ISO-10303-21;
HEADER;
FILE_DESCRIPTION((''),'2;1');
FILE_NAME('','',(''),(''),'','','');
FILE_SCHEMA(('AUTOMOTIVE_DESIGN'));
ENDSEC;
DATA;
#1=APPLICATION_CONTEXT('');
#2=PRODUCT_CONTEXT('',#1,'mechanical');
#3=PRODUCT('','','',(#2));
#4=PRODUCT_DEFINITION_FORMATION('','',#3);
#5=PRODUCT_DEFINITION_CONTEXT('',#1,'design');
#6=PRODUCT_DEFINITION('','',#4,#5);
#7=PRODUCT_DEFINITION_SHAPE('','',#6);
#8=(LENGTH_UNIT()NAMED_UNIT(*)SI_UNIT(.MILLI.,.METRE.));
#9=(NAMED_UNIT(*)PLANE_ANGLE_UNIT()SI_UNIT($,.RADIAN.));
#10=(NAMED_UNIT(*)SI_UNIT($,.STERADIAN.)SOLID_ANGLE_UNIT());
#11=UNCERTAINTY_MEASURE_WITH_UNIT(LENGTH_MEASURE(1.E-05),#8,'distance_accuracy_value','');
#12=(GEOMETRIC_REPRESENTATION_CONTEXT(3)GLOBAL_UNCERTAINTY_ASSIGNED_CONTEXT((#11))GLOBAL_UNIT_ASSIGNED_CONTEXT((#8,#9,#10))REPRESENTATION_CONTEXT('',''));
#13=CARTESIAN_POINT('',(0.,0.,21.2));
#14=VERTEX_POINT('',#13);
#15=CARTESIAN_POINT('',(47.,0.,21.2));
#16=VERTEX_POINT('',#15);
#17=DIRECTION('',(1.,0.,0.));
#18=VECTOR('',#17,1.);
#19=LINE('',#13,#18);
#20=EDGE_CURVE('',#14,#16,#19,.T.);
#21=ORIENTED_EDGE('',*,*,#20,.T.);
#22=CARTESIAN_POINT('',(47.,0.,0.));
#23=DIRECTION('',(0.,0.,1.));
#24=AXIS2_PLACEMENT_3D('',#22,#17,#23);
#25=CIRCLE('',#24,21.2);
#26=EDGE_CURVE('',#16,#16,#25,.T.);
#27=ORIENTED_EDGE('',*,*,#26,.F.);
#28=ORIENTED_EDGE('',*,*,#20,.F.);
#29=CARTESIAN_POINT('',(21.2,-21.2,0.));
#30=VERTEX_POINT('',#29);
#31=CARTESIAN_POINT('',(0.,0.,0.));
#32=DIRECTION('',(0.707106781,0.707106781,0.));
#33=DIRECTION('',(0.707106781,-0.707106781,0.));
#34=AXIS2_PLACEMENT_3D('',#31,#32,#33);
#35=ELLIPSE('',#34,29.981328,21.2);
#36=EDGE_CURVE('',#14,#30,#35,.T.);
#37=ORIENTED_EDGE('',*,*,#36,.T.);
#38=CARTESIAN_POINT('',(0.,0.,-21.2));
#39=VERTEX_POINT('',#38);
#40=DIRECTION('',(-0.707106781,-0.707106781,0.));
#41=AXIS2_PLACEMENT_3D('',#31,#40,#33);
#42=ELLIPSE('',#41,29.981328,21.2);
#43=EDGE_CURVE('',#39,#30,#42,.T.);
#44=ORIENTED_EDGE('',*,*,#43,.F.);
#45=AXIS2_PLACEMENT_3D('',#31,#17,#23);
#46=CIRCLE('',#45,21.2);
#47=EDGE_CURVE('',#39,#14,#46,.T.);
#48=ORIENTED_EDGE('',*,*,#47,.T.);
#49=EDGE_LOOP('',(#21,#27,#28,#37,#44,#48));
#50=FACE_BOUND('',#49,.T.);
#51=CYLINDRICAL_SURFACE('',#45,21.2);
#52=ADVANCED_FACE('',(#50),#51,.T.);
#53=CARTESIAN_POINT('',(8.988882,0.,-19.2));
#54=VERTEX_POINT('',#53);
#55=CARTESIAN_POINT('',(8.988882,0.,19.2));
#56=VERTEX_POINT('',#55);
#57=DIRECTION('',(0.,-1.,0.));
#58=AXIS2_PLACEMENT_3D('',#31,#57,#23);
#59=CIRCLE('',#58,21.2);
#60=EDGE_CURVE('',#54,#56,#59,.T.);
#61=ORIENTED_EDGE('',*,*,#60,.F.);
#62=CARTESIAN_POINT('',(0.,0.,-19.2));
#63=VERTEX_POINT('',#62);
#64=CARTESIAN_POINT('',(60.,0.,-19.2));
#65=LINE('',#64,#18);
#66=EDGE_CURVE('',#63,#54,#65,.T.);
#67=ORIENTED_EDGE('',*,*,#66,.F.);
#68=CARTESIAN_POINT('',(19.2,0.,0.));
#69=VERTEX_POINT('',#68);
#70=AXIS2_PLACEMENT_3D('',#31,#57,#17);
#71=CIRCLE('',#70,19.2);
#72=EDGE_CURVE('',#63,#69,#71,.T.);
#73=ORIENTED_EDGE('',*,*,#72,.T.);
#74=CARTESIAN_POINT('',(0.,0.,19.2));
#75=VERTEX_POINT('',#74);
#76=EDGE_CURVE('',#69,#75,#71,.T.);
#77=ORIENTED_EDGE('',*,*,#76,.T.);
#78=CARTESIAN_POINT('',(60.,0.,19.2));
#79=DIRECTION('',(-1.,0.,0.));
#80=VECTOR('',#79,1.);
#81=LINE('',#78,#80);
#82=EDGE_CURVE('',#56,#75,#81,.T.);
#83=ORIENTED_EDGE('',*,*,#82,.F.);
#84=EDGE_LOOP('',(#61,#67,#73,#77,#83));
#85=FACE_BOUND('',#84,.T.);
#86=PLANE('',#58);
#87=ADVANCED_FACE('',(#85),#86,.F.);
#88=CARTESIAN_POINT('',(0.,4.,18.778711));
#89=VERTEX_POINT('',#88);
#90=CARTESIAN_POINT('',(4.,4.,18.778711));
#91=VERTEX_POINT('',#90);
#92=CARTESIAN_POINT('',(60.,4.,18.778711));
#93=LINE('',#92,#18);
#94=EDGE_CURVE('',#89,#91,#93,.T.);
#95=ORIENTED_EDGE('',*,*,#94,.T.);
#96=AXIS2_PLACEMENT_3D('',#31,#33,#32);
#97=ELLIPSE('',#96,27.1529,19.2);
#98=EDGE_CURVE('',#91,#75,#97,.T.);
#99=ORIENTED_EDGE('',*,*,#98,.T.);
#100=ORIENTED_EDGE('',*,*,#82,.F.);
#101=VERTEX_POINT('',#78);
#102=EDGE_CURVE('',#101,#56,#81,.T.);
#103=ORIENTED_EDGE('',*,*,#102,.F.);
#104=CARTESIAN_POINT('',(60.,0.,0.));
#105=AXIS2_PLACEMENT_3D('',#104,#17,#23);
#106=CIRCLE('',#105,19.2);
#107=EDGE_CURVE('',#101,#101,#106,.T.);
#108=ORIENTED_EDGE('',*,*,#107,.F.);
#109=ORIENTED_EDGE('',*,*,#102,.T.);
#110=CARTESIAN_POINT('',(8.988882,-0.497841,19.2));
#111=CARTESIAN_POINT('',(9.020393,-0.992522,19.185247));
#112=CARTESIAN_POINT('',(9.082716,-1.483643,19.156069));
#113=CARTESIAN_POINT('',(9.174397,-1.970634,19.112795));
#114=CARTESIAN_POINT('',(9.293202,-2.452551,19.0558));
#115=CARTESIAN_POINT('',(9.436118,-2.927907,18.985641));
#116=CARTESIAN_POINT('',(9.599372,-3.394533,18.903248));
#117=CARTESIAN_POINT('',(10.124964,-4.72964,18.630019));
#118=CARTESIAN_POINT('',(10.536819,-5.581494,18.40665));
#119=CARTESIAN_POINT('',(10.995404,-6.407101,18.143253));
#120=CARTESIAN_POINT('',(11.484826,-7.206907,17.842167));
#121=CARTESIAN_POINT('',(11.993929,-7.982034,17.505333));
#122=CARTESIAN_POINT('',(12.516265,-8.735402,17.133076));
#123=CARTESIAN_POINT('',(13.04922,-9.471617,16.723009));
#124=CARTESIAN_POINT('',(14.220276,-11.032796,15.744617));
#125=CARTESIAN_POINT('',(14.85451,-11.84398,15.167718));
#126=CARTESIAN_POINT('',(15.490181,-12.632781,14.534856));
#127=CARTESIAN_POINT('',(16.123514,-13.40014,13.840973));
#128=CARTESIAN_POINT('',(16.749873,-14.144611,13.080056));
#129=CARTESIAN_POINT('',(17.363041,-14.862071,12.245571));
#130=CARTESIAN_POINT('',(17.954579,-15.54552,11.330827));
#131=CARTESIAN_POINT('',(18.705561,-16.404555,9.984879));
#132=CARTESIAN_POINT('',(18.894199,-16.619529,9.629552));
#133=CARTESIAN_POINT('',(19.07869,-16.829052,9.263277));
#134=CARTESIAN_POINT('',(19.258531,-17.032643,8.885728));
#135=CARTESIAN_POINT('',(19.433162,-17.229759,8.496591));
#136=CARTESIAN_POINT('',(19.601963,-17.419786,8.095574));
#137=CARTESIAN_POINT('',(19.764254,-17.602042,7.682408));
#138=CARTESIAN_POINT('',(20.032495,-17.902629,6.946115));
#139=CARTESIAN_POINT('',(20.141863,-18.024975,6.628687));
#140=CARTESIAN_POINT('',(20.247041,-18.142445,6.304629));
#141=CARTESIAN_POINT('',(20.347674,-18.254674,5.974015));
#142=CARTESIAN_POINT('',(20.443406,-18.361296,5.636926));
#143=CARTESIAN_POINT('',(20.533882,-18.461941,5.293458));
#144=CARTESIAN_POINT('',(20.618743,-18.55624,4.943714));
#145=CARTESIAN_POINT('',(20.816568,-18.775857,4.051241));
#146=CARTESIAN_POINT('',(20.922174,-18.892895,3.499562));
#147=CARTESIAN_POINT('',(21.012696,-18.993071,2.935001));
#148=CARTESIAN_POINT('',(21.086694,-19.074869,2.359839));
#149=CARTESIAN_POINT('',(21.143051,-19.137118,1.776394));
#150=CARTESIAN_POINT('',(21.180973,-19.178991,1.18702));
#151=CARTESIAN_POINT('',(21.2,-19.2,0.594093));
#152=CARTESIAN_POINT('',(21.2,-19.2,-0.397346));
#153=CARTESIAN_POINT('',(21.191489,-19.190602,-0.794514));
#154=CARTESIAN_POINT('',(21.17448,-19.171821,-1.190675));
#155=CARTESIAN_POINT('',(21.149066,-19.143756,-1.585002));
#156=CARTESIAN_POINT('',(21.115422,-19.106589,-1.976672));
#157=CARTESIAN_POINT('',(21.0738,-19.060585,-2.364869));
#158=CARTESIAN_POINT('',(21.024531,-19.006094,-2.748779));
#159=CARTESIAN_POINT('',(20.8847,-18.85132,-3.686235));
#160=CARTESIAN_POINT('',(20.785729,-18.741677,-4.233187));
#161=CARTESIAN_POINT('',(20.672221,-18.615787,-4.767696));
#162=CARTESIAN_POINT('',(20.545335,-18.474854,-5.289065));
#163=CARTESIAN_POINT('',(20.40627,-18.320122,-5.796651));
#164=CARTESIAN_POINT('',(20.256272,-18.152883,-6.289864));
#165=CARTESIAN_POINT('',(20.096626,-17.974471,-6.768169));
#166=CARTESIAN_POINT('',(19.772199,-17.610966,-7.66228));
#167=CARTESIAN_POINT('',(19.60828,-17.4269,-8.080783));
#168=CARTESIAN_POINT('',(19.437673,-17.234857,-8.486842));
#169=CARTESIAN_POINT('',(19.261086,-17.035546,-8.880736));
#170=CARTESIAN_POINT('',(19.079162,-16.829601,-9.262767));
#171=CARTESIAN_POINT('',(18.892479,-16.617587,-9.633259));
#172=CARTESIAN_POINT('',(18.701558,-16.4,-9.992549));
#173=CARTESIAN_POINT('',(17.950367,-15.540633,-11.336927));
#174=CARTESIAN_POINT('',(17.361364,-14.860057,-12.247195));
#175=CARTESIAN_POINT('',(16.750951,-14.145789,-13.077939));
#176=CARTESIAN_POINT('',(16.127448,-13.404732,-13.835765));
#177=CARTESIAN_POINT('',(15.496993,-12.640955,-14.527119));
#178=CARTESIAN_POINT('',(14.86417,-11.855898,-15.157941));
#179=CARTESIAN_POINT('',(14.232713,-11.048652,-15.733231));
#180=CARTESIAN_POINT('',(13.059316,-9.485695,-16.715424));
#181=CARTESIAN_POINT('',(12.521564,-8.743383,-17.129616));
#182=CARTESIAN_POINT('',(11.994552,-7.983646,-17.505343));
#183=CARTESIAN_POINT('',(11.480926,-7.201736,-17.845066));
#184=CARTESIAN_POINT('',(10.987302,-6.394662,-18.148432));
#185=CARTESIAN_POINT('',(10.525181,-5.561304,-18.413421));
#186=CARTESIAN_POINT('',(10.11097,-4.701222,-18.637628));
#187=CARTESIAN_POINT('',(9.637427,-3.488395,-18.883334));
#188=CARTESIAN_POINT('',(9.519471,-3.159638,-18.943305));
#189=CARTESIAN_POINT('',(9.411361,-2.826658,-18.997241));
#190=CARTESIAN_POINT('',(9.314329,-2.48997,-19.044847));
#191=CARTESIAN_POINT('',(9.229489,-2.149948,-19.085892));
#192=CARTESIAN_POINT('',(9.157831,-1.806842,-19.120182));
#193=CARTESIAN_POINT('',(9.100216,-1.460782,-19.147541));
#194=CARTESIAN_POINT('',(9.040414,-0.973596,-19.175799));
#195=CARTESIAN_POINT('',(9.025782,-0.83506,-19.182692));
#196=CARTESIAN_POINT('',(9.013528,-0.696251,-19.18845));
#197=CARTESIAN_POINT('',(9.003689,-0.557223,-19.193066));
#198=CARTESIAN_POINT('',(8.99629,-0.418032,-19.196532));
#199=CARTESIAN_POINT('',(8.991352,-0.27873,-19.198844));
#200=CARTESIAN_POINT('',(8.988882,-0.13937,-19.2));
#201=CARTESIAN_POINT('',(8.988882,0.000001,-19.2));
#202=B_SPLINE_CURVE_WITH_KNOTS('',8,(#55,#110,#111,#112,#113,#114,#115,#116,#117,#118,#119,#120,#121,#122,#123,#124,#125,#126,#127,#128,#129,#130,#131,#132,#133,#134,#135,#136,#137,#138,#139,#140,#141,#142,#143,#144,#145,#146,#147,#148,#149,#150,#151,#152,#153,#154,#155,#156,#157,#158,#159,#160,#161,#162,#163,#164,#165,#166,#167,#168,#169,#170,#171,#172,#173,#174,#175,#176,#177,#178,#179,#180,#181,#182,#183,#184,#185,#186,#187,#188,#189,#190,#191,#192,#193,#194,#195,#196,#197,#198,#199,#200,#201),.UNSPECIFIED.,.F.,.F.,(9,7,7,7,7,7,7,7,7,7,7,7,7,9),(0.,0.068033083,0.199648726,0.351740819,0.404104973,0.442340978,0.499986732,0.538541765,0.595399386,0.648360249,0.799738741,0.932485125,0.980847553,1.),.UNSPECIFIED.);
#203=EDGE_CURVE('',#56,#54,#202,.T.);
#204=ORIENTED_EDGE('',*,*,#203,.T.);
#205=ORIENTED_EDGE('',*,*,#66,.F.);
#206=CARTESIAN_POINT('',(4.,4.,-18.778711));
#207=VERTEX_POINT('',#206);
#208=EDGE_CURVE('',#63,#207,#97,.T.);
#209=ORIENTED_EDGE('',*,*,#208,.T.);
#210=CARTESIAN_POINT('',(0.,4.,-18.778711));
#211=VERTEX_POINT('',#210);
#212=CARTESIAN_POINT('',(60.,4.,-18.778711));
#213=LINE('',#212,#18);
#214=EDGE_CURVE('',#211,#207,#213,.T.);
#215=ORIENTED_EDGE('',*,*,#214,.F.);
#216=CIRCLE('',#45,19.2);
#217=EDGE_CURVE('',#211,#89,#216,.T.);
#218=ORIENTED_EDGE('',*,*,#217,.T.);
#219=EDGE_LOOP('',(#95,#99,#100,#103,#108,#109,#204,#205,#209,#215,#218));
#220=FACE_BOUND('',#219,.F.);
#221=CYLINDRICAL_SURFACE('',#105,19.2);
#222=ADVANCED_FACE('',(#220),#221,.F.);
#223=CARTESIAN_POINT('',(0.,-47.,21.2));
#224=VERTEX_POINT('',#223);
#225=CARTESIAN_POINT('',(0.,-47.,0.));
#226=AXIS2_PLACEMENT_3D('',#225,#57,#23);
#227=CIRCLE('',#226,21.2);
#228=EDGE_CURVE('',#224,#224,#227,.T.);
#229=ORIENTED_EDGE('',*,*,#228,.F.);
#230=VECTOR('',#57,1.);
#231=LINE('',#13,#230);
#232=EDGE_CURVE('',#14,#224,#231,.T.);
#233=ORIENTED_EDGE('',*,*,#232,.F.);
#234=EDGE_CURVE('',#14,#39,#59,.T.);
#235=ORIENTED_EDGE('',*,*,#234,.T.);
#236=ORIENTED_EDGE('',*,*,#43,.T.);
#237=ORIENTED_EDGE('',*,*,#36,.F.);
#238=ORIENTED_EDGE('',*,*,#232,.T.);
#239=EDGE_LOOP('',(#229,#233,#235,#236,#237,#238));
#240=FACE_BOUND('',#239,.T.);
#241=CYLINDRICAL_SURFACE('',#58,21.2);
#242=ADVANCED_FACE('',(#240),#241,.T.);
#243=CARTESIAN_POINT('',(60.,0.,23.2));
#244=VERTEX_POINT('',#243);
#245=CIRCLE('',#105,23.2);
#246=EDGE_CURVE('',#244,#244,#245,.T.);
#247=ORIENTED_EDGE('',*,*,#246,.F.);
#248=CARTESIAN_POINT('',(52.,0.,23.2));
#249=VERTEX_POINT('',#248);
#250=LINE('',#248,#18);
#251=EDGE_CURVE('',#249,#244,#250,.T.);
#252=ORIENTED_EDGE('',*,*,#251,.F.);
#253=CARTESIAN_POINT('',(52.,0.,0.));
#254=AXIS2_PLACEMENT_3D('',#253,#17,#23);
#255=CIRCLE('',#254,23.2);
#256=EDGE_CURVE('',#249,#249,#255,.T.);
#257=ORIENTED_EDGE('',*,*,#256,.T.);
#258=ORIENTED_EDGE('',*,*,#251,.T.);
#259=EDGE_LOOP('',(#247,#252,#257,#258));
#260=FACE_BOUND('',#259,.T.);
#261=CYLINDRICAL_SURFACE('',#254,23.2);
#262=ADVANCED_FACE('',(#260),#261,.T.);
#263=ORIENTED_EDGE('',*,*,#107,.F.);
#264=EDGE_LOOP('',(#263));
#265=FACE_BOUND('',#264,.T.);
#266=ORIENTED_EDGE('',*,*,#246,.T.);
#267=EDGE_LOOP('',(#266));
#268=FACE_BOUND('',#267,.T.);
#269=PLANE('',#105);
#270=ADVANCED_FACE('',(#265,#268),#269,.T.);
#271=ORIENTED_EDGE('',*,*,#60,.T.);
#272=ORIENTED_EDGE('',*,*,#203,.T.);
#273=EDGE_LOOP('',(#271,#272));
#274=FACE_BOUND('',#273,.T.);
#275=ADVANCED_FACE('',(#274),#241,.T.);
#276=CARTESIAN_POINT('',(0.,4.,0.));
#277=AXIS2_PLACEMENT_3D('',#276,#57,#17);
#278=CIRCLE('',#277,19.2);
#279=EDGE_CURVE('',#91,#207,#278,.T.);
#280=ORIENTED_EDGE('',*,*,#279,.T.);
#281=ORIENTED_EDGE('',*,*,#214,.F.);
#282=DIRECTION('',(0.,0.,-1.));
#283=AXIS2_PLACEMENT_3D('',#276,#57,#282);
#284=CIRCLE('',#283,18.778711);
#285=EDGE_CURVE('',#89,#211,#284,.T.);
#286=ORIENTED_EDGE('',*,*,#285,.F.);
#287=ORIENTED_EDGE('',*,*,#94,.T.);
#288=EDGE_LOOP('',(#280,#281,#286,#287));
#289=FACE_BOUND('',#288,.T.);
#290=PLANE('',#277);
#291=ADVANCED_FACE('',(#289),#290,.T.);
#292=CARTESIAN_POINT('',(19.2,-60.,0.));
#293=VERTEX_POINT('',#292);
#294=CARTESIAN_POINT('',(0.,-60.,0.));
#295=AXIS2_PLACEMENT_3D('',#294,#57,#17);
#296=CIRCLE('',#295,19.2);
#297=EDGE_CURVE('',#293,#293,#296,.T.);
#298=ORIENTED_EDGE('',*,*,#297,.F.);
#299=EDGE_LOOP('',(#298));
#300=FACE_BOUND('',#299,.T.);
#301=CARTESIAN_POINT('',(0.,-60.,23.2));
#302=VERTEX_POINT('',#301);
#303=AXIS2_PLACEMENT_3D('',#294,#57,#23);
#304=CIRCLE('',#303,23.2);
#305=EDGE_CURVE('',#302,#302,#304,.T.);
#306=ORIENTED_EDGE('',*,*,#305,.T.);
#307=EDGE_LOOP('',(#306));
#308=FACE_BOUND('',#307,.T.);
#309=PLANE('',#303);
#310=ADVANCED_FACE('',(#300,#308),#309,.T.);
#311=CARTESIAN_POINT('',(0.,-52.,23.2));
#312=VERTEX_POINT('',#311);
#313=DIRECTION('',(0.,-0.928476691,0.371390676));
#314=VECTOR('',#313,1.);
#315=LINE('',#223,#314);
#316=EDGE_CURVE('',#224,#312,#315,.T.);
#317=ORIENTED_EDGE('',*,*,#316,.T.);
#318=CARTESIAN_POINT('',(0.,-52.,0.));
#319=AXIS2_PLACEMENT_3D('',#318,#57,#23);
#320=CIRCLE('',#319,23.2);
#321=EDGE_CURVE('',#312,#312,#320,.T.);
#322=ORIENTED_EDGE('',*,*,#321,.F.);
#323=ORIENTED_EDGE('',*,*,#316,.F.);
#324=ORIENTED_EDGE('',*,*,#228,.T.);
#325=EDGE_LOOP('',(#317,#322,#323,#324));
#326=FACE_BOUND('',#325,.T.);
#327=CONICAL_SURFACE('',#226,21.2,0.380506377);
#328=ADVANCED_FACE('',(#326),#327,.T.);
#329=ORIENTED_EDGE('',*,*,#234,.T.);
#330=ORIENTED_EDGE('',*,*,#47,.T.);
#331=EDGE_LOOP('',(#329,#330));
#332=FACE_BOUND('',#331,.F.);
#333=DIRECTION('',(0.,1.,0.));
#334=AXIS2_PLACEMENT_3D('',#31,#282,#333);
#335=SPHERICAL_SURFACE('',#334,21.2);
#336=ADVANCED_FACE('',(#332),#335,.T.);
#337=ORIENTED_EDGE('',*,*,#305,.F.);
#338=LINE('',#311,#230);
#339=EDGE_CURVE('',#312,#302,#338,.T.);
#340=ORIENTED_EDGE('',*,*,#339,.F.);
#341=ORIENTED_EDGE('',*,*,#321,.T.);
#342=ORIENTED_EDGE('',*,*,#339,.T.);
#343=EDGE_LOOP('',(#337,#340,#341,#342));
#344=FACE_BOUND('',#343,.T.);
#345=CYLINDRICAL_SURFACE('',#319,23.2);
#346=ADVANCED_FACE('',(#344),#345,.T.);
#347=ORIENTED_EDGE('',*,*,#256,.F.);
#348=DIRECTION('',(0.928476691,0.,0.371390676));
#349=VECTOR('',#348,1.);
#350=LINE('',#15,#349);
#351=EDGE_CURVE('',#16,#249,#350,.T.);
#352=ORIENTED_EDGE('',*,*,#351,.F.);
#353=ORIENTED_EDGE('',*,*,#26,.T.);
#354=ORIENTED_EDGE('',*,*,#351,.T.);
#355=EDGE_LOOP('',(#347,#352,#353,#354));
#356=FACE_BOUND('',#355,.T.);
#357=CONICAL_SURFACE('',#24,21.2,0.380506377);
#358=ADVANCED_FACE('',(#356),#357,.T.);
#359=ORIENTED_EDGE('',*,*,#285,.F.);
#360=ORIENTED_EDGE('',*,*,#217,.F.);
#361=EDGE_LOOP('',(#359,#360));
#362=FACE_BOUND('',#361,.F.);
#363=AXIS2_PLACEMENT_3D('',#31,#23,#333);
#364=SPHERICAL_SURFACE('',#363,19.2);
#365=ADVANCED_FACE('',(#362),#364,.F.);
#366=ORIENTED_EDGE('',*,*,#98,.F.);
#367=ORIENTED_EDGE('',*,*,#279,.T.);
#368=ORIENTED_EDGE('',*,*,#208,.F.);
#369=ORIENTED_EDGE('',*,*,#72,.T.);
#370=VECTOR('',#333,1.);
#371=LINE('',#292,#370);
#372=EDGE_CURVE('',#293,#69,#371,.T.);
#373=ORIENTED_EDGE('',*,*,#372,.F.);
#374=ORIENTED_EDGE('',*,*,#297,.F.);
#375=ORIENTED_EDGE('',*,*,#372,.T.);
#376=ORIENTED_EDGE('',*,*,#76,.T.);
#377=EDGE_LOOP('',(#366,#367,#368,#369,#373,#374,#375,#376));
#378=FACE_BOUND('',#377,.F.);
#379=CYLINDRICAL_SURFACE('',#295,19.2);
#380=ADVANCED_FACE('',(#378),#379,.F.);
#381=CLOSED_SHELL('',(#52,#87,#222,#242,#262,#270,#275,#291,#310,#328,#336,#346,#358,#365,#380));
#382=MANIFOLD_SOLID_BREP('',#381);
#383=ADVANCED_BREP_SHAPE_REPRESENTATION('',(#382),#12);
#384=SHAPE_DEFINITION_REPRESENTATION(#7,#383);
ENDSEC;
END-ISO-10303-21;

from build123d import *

# Parameters (mm, degrees)
SKETCH001_R          = 19.2
POCKET_DEPTH         = 60.001
POCKET001_DEPTH      = 23.201
POCKET001_DEPTH_BACK = -23.201
REVOLUTION001_ANGLE  = 90
SKETCH004_R          = 19.2
POCKET002_DEPTH      = 64


with BuildPart() as part:
    # Sketch → Revolution (revolve)
    with BuildSketch(Plane.XZ):
        Polygon((0, 0), (0, 21.2), (47, 21.2), (52, 23.2), (60, 23.2), (60, 0), align=None)
    revolve(axis=Axis((0, 0, 0), (1, 0, 0)))

    # Sketch001 (on Face5 of Revolution) → Pocket (cut, through all)
    with BuildSketch(Plane(origin=(60, 0, 0), x_dir=(0, 0, 1), z_dir=(1, 0, 0))):
        Circle(SKETCH001_R)
    extrude(amount=-POCKET_DEPTH, mode=Mode.SUBTRACT)

    # Sketch002 → Pocket001 (cut, two sides)
    with BuildSketch(Plane.XY) as pocket001_sk:
        Polygon((0, 0), (35.582964, -35.582964), (0, -35.582964), align=None)
    extrude(amount=-POCKET001_DEPTH, mode=Mode.SUBTRACT)
    extrude(pocket001_sk.sketch, amount=-POCKET001_DEPTH_BACK, mode=Mode.SUBTRACT)

    # Pocket001 Face1 → Revolution001 (revolve)
    with BuildSketch(Plane(origin=(0, 12.870225, 0), x_dir=(0, 1, 0), z_dir=(-1, 0, 0))):
        with BuildLine():
            Line((-12.870225, -19.2), (-12.870225, -21.2))
            ThreePointArc((-12.870225, -21.2), (8.329775, 0), (-12.870225, 21.2))
            Line((-12.870225, 21.2), (-12.870225, 19.2))
            ThreePointArc((-12.870225, 19.2), (6.329775, 0), (-12.870225, -19.2))
        make_face()
    revolve(axis=Axis((0, 0, 0), (0, 0, 1)), revolution_arc=REVOLUTION001_ANGLE)

    # Sketch003 → Revolution002 (revolve)
    with BuildSketch(Plane(origin=(0, 0, 0), x_dir=(0, -1, 0), z_dir=(-1, 0, 0))):
        Polygon((0, 0), (0, 21.2), (47, 21.2), (52, 23.2), (60, 23.2), (60, 0), align=None)
    revolve(axis=Axis((0, 0, 0), (0, -1, 0)))

    # Sketch004 (on Face9 of Revolution002) → Pocket002 (cut)
    with BuildSketch(Plane.XZ.offset(60)):
        Circle(SKETCH004_R)
    extrude(amount=-POCKET002_DEPTH, mode=Mode.SUBTRACT)


solid = part.part
